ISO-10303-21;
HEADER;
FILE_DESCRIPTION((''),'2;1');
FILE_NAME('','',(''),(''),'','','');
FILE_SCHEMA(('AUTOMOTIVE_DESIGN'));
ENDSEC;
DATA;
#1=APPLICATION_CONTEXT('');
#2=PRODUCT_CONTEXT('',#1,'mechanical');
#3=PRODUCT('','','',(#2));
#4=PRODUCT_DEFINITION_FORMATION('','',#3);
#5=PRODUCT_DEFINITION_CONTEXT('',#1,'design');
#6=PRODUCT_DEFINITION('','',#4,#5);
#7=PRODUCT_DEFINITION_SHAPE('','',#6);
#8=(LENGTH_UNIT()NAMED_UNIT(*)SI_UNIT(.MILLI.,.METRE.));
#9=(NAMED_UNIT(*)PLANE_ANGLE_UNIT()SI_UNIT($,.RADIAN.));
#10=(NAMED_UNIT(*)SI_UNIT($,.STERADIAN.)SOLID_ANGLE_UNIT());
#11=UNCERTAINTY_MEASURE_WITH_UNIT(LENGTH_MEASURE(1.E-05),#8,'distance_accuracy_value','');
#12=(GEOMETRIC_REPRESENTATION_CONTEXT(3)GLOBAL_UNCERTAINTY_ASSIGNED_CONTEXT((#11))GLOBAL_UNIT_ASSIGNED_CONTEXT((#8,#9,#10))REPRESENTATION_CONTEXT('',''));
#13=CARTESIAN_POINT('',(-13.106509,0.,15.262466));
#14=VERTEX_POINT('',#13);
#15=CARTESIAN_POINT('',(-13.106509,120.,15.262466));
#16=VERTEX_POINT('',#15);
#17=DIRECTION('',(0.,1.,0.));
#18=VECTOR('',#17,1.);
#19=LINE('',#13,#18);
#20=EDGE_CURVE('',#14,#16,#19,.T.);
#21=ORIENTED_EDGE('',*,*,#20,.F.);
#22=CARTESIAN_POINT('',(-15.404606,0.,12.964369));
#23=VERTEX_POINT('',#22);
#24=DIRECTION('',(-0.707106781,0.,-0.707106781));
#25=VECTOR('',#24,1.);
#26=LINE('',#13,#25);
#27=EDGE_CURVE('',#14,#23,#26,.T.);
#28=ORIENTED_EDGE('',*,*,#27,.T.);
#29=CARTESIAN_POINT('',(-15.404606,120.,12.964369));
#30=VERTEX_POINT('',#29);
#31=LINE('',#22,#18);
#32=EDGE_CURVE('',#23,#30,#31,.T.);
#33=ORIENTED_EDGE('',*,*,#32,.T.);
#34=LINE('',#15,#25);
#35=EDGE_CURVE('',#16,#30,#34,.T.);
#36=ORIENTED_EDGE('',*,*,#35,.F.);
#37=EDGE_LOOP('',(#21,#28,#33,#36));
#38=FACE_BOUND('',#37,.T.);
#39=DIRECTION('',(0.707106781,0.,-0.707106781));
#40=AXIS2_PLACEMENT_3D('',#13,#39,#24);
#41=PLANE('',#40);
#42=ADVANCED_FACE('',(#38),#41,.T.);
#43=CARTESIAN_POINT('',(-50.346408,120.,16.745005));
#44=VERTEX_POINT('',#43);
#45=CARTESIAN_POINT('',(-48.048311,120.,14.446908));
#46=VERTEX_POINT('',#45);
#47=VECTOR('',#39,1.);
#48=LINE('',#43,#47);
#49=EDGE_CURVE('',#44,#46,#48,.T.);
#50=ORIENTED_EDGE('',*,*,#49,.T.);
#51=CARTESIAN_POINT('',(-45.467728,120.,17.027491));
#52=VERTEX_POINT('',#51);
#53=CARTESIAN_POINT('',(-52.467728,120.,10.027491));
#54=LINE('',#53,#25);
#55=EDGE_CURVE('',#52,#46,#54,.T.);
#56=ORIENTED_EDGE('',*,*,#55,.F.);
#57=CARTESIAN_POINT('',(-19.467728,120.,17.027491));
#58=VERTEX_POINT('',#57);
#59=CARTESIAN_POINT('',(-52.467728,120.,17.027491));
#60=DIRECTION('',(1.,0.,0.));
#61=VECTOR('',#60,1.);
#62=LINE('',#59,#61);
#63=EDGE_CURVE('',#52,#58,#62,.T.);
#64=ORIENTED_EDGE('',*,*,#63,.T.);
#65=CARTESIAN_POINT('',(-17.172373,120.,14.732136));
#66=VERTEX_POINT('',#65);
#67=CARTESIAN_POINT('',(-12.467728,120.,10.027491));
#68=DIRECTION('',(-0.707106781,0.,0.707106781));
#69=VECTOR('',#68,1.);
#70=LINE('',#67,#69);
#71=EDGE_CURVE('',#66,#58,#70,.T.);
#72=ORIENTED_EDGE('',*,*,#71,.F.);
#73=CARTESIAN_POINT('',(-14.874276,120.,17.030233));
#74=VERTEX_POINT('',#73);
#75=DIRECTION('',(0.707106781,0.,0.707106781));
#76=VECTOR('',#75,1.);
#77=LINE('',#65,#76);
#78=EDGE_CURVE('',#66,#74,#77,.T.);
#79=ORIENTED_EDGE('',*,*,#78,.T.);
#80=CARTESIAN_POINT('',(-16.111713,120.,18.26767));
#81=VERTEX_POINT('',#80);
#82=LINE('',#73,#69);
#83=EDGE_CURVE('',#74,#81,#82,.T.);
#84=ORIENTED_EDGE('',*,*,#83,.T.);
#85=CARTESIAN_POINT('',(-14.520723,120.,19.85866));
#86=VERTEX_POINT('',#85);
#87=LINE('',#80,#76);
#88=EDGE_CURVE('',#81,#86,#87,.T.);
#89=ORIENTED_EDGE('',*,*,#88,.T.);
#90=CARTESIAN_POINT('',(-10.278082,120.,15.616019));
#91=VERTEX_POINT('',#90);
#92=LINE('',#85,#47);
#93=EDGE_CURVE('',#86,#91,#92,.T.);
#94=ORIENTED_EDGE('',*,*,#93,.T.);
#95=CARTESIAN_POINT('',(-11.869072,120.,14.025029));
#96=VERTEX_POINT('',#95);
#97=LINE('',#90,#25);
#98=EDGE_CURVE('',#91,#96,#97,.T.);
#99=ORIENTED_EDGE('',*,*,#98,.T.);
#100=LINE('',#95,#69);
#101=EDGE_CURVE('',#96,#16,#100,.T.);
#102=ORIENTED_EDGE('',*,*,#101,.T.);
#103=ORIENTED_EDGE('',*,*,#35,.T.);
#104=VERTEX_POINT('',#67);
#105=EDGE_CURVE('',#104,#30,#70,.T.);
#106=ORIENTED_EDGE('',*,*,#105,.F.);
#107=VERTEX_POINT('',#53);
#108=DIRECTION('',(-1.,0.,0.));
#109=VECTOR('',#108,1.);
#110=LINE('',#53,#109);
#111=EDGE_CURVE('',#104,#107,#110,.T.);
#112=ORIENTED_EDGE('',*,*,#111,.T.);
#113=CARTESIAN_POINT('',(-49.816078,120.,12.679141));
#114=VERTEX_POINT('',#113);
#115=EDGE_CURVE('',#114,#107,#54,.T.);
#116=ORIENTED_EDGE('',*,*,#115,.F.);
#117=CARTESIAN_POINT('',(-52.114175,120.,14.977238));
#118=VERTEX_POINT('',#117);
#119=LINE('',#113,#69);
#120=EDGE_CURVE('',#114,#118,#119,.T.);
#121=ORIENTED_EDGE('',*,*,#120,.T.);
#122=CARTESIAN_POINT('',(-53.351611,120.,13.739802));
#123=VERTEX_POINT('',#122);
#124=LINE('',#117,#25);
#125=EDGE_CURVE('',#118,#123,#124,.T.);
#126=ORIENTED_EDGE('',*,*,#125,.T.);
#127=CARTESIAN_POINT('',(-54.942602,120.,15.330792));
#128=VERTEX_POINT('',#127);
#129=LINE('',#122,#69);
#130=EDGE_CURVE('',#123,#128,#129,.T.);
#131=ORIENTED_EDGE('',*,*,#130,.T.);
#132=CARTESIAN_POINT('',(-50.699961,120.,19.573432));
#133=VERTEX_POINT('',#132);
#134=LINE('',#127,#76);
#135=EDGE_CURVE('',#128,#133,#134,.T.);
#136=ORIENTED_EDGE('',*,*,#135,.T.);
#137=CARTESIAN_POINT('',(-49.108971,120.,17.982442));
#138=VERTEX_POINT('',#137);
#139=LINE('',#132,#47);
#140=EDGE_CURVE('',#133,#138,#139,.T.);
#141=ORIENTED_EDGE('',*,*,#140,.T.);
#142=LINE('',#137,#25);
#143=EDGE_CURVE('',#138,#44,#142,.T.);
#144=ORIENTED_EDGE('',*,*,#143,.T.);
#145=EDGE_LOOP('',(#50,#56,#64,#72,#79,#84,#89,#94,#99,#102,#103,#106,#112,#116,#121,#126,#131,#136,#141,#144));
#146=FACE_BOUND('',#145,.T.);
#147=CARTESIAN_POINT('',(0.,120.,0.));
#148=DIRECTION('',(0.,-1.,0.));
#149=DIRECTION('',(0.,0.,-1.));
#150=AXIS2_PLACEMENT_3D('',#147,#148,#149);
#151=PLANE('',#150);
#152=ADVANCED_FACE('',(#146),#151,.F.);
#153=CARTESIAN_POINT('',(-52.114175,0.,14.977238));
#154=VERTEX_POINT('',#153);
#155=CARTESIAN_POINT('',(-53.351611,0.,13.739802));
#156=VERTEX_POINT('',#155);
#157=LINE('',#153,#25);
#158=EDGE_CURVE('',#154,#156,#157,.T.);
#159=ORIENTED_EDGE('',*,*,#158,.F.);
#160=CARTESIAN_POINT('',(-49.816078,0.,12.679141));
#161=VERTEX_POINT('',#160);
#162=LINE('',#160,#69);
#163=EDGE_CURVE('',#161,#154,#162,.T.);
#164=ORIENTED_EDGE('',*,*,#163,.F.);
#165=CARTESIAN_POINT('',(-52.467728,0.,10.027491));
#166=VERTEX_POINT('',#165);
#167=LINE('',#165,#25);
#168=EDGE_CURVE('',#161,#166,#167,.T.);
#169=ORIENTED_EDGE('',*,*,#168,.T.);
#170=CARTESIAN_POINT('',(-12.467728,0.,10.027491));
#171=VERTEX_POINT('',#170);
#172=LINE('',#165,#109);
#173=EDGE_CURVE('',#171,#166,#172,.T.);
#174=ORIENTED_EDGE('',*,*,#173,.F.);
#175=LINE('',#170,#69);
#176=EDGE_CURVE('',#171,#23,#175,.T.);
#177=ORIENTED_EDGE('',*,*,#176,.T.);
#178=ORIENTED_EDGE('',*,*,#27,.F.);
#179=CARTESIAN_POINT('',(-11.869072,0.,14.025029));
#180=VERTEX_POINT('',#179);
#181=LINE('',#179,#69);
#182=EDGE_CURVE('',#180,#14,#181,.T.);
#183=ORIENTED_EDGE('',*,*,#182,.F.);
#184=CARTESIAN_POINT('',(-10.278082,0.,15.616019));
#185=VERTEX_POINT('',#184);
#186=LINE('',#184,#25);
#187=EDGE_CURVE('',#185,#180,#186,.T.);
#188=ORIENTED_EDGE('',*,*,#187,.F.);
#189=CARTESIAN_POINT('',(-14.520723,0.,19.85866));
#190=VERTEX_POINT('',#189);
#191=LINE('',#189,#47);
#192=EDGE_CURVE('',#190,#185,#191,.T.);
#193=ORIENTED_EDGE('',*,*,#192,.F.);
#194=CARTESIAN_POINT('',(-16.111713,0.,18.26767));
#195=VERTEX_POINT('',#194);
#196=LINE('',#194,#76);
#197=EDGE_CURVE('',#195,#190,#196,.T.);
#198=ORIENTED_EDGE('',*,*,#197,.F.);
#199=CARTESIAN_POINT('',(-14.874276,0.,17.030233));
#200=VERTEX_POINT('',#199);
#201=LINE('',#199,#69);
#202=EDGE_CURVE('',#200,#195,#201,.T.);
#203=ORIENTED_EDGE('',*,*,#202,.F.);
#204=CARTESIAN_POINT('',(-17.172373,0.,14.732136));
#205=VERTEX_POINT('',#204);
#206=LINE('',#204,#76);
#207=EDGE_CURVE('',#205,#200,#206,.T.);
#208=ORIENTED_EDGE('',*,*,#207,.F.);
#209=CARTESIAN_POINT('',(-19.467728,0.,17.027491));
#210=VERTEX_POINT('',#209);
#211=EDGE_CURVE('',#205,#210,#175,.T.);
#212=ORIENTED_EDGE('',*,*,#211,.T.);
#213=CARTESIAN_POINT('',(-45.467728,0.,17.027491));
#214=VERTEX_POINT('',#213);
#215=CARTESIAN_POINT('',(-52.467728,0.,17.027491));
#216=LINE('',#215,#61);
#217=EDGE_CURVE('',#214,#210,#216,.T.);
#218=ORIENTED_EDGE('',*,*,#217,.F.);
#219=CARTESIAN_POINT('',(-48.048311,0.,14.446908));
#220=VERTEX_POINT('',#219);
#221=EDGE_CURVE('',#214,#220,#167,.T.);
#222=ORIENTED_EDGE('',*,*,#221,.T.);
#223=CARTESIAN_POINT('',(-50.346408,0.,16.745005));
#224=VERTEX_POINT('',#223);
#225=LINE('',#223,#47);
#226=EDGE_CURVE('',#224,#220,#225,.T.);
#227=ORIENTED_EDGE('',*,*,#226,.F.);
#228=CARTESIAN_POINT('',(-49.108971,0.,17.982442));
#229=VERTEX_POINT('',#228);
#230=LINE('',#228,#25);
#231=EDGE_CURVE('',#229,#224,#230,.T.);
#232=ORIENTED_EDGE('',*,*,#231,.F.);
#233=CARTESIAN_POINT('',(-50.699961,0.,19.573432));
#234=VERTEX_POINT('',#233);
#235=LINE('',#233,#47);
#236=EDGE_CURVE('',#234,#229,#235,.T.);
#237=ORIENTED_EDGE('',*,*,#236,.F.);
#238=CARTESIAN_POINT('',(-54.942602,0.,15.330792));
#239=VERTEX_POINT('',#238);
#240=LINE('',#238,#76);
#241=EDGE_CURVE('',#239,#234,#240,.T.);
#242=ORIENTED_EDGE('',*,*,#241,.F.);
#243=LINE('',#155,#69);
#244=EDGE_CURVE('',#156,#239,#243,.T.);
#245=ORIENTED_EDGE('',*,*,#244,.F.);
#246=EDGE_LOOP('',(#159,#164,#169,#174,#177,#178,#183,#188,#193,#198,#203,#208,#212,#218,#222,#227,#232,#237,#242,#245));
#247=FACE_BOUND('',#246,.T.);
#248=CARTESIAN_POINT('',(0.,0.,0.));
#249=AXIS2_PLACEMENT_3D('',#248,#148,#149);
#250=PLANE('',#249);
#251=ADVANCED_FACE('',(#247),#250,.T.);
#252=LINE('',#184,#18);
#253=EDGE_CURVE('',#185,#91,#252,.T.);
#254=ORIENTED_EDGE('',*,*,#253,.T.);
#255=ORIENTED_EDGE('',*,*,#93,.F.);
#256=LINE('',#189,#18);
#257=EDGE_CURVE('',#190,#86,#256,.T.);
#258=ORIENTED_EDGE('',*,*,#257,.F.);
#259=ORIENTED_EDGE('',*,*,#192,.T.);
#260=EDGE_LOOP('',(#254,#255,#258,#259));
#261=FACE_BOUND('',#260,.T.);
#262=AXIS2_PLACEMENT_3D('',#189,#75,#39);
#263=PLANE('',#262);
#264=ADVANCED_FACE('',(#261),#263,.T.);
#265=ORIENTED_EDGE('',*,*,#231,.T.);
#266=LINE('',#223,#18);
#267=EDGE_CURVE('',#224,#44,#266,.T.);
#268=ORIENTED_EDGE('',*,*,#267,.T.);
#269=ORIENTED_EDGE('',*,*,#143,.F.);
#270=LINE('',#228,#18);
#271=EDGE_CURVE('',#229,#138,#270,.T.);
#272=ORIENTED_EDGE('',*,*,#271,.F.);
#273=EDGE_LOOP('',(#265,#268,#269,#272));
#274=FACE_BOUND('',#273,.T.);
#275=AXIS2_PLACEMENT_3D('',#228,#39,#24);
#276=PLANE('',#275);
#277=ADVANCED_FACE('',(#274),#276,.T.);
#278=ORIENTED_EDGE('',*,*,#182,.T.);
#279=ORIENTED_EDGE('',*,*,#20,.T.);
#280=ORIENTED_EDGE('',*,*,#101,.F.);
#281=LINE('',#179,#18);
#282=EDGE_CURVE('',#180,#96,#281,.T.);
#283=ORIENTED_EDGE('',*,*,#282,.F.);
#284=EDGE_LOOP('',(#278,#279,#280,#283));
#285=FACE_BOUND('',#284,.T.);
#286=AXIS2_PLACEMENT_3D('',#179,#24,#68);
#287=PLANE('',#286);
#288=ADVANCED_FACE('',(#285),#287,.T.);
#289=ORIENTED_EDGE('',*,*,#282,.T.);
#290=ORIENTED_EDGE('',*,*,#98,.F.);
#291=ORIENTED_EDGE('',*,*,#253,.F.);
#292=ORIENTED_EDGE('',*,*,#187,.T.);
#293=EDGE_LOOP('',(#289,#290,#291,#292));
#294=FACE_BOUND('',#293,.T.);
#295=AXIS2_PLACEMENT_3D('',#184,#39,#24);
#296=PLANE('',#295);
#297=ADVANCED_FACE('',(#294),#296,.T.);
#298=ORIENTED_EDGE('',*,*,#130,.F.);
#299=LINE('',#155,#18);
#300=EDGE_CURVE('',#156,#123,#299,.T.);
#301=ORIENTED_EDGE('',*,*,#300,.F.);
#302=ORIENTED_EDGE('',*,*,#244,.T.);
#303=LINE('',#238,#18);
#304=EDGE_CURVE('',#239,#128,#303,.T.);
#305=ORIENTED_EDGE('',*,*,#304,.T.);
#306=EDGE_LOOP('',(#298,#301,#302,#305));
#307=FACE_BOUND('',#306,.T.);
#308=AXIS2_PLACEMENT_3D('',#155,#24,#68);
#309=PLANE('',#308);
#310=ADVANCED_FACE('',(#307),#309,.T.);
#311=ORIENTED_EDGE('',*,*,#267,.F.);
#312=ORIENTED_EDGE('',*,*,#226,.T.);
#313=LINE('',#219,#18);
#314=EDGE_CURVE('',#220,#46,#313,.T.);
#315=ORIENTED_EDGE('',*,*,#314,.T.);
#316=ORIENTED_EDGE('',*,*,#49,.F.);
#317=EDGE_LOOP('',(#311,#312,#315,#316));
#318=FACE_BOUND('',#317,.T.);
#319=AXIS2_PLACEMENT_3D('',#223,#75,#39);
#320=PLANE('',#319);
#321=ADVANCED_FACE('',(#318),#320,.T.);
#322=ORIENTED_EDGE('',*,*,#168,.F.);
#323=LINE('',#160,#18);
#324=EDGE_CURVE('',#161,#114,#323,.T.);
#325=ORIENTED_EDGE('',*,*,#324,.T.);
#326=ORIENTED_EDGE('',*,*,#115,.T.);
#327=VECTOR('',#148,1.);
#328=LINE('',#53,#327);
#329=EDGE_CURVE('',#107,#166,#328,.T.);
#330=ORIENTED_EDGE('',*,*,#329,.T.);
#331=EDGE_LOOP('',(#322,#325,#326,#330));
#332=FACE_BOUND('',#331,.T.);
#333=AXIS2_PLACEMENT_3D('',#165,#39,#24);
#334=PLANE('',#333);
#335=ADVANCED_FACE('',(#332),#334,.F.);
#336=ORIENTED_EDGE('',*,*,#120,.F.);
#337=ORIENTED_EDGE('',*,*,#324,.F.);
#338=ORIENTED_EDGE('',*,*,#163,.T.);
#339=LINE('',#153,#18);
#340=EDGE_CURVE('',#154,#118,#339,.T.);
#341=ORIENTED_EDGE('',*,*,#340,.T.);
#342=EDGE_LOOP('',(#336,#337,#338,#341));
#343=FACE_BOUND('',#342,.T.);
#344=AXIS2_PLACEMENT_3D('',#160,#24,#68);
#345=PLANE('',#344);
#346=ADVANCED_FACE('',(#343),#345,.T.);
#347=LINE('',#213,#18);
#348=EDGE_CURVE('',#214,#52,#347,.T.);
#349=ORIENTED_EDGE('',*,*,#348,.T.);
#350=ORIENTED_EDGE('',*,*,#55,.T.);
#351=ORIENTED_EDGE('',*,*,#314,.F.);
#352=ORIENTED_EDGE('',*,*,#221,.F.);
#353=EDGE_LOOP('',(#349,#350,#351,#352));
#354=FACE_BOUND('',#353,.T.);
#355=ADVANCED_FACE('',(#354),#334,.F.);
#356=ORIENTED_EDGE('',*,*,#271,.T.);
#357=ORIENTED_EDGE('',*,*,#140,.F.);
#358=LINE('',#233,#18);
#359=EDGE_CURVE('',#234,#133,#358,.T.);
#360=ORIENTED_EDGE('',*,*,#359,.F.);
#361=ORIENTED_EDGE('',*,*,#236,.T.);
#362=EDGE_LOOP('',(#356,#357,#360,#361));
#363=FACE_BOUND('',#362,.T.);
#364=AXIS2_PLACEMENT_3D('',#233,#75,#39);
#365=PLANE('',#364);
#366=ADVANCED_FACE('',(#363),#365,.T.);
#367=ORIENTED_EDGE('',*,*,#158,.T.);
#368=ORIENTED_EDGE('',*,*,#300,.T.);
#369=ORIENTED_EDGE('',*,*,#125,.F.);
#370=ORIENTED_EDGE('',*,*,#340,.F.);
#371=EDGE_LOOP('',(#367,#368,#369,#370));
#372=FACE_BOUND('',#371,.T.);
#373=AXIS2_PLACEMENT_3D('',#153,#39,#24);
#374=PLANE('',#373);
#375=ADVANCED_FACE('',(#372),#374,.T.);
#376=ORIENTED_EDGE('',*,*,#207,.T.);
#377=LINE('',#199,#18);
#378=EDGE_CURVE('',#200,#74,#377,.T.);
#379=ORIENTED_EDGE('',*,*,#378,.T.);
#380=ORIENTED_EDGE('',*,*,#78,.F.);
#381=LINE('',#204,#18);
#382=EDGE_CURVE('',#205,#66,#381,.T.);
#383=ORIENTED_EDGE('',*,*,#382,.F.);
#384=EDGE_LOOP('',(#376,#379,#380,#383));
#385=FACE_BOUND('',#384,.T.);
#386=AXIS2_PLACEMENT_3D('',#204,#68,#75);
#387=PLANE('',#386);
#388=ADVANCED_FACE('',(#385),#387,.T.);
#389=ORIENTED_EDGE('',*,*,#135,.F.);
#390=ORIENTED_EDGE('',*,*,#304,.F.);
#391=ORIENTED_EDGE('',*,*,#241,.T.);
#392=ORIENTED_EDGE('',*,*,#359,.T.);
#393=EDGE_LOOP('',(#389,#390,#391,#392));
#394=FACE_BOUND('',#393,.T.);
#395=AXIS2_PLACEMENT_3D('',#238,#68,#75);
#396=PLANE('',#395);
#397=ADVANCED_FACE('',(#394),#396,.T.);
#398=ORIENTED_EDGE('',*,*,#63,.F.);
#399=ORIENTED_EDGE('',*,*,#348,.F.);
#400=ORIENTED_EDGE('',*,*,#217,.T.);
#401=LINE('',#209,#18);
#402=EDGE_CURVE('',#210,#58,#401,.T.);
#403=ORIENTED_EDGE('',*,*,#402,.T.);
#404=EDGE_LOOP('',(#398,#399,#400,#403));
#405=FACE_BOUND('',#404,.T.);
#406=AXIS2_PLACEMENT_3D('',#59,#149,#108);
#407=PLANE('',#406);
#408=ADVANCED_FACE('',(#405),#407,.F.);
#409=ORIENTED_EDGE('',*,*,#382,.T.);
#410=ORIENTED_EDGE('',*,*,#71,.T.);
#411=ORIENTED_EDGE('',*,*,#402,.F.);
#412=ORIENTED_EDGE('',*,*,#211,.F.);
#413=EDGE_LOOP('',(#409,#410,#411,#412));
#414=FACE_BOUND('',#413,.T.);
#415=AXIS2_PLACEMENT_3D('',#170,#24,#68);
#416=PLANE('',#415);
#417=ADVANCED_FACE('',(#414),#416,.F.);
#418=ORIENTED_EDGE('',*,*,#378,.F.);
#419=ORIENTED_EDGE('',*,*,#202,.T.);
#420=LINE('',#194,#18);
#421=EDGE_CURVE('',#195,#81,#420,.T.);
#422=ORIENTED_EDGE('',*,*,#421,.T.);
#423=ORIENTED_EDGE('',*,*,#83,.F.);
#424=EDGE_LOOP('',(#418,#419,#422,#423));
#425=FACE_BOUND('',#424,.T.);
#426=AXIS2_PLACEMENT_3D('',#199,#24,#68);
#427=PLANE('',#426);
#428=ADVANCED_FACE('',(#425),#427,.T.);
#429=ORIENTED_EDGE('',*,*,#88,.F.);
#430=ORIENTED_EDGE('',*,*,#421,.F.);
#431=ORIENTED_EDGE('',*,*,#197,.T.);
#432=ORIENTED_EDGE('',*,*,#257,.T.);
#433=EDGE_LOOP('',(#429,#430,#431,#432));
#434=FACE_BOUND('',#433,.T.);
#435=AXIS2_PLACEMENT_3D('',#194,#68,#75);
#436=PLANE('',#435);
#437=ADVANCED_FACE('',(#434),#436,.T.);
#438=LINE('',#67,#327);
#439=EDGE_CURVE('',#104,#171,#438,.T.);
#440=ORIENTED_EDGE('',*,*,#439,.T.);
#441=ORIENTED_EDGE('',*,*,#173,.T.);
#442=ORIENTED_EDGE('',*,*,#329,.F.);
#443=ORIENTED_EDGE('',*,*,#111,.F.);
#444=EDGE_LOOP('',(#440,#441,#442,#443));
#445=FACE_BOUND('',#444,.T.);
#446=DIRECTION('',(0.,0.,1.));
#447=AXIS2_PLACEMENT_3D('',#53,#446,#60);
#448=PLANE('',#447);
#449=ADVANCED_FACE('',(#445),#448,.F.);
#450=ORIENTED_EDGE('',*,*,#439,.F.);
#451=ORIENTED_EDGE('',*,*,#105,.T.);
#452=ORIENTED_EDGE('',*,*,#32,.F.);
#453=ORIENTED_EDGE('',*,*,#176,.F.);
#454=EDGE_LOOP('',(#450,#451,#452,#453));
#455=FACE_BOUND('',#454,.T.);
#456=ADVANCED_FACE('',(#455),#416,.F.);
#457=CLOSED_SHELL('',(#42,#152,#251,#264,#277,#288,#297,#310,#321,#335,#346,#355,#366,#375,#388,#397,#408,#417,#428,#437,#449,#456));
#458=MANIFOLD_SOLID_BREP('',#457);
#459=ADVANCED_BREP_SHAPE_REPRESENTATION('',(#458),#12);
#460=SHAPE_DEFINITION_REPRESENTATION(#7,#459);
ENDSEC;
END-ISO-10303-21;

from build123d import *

# Parameters (mm, degrees)
SKETCH1_W           = 40
SKETCH1_H           = 7
BOSS_EXTRUDE3_DEPTH = 120
CUT_EXTRUDE3_DEPTH  = 120
CUT_EXTRUDE4_DEPTH  = 120
BOSS_EXTRUDE4_DEPTH = 120
BOSS_EXTRUDE5_DEPTH = 120


with BuildPart() as part:
    # Sketch1 → Boss-Extrude3 (new body)
    with BuildSketch(Plane(origin=(0, 0, 0), x_dir=(1, 0, 0), z_dir=(0, 1, 0))):
        with Locations((-32.467727981, -13.5274909)):
            Rectangle(SKETCH1_W, SKETCH1_H)
    extrude(amount=BOSS_EXTRUDE3_DEPTH)

    # Sketch6 → Cut-Extrude3 (cut)
    with BuildSketch(Plane(origin=(0, 120, 0), x_dir=(1, 0, 0), z_dir=(0, 1, 0))):
        Polygon((-52.467727981, -17.0274909), (-52.467727981, -10.0274909), (-45.467727981, -17.0274909), align=None)
    extrude(amount=-CUT_EXTRUDE3_DEPTH, mode=Mode.SUBTRACT)

    # Sketch7 → Cut-Extrude4 (cut)
    with BuildSketch(Plane(origin=(0, 120, 0), x_dir=(1, 0, 0), z_dir=(0, 1, 0))):
        Polygon((-12.467727981, -17.0274909), (-12.467727981, -10.0274909), (-19.467727981, -17.0274909), align=None)
    extrude(amount=-CUT_EXTRUDE4_DEPTH, mode=Mode.SUBTRACT)

    # Sketch8 → Boss-Extrude4 (add)
    with BuildSketch(Plane(origin=(0, 120, 0), x_dir=(1, 0, 0), z_dir=(0, 1, 0))):
        Polygon((-49.816077551, -12.679141329), (-52.11417459, -14.977238368), (-53.351611457, -13.739801501), (-54.942601715, -15.330791759), (-50.699961028, -19.573432446), (-49.10897077, -17.982442188), (-50.346407637, -16.745005321), (-48.048310598, -14.446908282), align=None)
    extrude(amount=-BOSS_EXTRUDE4_DEPTH)

    # Sketch9 → Boss-Extrude5 (add)
    with BuildSketch(Plane(origin=(0, 120, 0), x_dir=(1, 0, 0), z_dir=(0, 1, 0))):
        Polygon((-17.172372993, -14.732135912), (-14.874275954, -17.030232951), (-16.111712821, -18.267669818), (-14.520722564, -19.858660076), (-10.278081876, -15.616019388), (-11.869072134, -14.025029131), (-13.106509001, -15.262465998), (-15.40460604, -12.964368959), align=None)
    extrude(amount=-BOSS_EXTRUDE5_DEPTH)


solid = part.part
